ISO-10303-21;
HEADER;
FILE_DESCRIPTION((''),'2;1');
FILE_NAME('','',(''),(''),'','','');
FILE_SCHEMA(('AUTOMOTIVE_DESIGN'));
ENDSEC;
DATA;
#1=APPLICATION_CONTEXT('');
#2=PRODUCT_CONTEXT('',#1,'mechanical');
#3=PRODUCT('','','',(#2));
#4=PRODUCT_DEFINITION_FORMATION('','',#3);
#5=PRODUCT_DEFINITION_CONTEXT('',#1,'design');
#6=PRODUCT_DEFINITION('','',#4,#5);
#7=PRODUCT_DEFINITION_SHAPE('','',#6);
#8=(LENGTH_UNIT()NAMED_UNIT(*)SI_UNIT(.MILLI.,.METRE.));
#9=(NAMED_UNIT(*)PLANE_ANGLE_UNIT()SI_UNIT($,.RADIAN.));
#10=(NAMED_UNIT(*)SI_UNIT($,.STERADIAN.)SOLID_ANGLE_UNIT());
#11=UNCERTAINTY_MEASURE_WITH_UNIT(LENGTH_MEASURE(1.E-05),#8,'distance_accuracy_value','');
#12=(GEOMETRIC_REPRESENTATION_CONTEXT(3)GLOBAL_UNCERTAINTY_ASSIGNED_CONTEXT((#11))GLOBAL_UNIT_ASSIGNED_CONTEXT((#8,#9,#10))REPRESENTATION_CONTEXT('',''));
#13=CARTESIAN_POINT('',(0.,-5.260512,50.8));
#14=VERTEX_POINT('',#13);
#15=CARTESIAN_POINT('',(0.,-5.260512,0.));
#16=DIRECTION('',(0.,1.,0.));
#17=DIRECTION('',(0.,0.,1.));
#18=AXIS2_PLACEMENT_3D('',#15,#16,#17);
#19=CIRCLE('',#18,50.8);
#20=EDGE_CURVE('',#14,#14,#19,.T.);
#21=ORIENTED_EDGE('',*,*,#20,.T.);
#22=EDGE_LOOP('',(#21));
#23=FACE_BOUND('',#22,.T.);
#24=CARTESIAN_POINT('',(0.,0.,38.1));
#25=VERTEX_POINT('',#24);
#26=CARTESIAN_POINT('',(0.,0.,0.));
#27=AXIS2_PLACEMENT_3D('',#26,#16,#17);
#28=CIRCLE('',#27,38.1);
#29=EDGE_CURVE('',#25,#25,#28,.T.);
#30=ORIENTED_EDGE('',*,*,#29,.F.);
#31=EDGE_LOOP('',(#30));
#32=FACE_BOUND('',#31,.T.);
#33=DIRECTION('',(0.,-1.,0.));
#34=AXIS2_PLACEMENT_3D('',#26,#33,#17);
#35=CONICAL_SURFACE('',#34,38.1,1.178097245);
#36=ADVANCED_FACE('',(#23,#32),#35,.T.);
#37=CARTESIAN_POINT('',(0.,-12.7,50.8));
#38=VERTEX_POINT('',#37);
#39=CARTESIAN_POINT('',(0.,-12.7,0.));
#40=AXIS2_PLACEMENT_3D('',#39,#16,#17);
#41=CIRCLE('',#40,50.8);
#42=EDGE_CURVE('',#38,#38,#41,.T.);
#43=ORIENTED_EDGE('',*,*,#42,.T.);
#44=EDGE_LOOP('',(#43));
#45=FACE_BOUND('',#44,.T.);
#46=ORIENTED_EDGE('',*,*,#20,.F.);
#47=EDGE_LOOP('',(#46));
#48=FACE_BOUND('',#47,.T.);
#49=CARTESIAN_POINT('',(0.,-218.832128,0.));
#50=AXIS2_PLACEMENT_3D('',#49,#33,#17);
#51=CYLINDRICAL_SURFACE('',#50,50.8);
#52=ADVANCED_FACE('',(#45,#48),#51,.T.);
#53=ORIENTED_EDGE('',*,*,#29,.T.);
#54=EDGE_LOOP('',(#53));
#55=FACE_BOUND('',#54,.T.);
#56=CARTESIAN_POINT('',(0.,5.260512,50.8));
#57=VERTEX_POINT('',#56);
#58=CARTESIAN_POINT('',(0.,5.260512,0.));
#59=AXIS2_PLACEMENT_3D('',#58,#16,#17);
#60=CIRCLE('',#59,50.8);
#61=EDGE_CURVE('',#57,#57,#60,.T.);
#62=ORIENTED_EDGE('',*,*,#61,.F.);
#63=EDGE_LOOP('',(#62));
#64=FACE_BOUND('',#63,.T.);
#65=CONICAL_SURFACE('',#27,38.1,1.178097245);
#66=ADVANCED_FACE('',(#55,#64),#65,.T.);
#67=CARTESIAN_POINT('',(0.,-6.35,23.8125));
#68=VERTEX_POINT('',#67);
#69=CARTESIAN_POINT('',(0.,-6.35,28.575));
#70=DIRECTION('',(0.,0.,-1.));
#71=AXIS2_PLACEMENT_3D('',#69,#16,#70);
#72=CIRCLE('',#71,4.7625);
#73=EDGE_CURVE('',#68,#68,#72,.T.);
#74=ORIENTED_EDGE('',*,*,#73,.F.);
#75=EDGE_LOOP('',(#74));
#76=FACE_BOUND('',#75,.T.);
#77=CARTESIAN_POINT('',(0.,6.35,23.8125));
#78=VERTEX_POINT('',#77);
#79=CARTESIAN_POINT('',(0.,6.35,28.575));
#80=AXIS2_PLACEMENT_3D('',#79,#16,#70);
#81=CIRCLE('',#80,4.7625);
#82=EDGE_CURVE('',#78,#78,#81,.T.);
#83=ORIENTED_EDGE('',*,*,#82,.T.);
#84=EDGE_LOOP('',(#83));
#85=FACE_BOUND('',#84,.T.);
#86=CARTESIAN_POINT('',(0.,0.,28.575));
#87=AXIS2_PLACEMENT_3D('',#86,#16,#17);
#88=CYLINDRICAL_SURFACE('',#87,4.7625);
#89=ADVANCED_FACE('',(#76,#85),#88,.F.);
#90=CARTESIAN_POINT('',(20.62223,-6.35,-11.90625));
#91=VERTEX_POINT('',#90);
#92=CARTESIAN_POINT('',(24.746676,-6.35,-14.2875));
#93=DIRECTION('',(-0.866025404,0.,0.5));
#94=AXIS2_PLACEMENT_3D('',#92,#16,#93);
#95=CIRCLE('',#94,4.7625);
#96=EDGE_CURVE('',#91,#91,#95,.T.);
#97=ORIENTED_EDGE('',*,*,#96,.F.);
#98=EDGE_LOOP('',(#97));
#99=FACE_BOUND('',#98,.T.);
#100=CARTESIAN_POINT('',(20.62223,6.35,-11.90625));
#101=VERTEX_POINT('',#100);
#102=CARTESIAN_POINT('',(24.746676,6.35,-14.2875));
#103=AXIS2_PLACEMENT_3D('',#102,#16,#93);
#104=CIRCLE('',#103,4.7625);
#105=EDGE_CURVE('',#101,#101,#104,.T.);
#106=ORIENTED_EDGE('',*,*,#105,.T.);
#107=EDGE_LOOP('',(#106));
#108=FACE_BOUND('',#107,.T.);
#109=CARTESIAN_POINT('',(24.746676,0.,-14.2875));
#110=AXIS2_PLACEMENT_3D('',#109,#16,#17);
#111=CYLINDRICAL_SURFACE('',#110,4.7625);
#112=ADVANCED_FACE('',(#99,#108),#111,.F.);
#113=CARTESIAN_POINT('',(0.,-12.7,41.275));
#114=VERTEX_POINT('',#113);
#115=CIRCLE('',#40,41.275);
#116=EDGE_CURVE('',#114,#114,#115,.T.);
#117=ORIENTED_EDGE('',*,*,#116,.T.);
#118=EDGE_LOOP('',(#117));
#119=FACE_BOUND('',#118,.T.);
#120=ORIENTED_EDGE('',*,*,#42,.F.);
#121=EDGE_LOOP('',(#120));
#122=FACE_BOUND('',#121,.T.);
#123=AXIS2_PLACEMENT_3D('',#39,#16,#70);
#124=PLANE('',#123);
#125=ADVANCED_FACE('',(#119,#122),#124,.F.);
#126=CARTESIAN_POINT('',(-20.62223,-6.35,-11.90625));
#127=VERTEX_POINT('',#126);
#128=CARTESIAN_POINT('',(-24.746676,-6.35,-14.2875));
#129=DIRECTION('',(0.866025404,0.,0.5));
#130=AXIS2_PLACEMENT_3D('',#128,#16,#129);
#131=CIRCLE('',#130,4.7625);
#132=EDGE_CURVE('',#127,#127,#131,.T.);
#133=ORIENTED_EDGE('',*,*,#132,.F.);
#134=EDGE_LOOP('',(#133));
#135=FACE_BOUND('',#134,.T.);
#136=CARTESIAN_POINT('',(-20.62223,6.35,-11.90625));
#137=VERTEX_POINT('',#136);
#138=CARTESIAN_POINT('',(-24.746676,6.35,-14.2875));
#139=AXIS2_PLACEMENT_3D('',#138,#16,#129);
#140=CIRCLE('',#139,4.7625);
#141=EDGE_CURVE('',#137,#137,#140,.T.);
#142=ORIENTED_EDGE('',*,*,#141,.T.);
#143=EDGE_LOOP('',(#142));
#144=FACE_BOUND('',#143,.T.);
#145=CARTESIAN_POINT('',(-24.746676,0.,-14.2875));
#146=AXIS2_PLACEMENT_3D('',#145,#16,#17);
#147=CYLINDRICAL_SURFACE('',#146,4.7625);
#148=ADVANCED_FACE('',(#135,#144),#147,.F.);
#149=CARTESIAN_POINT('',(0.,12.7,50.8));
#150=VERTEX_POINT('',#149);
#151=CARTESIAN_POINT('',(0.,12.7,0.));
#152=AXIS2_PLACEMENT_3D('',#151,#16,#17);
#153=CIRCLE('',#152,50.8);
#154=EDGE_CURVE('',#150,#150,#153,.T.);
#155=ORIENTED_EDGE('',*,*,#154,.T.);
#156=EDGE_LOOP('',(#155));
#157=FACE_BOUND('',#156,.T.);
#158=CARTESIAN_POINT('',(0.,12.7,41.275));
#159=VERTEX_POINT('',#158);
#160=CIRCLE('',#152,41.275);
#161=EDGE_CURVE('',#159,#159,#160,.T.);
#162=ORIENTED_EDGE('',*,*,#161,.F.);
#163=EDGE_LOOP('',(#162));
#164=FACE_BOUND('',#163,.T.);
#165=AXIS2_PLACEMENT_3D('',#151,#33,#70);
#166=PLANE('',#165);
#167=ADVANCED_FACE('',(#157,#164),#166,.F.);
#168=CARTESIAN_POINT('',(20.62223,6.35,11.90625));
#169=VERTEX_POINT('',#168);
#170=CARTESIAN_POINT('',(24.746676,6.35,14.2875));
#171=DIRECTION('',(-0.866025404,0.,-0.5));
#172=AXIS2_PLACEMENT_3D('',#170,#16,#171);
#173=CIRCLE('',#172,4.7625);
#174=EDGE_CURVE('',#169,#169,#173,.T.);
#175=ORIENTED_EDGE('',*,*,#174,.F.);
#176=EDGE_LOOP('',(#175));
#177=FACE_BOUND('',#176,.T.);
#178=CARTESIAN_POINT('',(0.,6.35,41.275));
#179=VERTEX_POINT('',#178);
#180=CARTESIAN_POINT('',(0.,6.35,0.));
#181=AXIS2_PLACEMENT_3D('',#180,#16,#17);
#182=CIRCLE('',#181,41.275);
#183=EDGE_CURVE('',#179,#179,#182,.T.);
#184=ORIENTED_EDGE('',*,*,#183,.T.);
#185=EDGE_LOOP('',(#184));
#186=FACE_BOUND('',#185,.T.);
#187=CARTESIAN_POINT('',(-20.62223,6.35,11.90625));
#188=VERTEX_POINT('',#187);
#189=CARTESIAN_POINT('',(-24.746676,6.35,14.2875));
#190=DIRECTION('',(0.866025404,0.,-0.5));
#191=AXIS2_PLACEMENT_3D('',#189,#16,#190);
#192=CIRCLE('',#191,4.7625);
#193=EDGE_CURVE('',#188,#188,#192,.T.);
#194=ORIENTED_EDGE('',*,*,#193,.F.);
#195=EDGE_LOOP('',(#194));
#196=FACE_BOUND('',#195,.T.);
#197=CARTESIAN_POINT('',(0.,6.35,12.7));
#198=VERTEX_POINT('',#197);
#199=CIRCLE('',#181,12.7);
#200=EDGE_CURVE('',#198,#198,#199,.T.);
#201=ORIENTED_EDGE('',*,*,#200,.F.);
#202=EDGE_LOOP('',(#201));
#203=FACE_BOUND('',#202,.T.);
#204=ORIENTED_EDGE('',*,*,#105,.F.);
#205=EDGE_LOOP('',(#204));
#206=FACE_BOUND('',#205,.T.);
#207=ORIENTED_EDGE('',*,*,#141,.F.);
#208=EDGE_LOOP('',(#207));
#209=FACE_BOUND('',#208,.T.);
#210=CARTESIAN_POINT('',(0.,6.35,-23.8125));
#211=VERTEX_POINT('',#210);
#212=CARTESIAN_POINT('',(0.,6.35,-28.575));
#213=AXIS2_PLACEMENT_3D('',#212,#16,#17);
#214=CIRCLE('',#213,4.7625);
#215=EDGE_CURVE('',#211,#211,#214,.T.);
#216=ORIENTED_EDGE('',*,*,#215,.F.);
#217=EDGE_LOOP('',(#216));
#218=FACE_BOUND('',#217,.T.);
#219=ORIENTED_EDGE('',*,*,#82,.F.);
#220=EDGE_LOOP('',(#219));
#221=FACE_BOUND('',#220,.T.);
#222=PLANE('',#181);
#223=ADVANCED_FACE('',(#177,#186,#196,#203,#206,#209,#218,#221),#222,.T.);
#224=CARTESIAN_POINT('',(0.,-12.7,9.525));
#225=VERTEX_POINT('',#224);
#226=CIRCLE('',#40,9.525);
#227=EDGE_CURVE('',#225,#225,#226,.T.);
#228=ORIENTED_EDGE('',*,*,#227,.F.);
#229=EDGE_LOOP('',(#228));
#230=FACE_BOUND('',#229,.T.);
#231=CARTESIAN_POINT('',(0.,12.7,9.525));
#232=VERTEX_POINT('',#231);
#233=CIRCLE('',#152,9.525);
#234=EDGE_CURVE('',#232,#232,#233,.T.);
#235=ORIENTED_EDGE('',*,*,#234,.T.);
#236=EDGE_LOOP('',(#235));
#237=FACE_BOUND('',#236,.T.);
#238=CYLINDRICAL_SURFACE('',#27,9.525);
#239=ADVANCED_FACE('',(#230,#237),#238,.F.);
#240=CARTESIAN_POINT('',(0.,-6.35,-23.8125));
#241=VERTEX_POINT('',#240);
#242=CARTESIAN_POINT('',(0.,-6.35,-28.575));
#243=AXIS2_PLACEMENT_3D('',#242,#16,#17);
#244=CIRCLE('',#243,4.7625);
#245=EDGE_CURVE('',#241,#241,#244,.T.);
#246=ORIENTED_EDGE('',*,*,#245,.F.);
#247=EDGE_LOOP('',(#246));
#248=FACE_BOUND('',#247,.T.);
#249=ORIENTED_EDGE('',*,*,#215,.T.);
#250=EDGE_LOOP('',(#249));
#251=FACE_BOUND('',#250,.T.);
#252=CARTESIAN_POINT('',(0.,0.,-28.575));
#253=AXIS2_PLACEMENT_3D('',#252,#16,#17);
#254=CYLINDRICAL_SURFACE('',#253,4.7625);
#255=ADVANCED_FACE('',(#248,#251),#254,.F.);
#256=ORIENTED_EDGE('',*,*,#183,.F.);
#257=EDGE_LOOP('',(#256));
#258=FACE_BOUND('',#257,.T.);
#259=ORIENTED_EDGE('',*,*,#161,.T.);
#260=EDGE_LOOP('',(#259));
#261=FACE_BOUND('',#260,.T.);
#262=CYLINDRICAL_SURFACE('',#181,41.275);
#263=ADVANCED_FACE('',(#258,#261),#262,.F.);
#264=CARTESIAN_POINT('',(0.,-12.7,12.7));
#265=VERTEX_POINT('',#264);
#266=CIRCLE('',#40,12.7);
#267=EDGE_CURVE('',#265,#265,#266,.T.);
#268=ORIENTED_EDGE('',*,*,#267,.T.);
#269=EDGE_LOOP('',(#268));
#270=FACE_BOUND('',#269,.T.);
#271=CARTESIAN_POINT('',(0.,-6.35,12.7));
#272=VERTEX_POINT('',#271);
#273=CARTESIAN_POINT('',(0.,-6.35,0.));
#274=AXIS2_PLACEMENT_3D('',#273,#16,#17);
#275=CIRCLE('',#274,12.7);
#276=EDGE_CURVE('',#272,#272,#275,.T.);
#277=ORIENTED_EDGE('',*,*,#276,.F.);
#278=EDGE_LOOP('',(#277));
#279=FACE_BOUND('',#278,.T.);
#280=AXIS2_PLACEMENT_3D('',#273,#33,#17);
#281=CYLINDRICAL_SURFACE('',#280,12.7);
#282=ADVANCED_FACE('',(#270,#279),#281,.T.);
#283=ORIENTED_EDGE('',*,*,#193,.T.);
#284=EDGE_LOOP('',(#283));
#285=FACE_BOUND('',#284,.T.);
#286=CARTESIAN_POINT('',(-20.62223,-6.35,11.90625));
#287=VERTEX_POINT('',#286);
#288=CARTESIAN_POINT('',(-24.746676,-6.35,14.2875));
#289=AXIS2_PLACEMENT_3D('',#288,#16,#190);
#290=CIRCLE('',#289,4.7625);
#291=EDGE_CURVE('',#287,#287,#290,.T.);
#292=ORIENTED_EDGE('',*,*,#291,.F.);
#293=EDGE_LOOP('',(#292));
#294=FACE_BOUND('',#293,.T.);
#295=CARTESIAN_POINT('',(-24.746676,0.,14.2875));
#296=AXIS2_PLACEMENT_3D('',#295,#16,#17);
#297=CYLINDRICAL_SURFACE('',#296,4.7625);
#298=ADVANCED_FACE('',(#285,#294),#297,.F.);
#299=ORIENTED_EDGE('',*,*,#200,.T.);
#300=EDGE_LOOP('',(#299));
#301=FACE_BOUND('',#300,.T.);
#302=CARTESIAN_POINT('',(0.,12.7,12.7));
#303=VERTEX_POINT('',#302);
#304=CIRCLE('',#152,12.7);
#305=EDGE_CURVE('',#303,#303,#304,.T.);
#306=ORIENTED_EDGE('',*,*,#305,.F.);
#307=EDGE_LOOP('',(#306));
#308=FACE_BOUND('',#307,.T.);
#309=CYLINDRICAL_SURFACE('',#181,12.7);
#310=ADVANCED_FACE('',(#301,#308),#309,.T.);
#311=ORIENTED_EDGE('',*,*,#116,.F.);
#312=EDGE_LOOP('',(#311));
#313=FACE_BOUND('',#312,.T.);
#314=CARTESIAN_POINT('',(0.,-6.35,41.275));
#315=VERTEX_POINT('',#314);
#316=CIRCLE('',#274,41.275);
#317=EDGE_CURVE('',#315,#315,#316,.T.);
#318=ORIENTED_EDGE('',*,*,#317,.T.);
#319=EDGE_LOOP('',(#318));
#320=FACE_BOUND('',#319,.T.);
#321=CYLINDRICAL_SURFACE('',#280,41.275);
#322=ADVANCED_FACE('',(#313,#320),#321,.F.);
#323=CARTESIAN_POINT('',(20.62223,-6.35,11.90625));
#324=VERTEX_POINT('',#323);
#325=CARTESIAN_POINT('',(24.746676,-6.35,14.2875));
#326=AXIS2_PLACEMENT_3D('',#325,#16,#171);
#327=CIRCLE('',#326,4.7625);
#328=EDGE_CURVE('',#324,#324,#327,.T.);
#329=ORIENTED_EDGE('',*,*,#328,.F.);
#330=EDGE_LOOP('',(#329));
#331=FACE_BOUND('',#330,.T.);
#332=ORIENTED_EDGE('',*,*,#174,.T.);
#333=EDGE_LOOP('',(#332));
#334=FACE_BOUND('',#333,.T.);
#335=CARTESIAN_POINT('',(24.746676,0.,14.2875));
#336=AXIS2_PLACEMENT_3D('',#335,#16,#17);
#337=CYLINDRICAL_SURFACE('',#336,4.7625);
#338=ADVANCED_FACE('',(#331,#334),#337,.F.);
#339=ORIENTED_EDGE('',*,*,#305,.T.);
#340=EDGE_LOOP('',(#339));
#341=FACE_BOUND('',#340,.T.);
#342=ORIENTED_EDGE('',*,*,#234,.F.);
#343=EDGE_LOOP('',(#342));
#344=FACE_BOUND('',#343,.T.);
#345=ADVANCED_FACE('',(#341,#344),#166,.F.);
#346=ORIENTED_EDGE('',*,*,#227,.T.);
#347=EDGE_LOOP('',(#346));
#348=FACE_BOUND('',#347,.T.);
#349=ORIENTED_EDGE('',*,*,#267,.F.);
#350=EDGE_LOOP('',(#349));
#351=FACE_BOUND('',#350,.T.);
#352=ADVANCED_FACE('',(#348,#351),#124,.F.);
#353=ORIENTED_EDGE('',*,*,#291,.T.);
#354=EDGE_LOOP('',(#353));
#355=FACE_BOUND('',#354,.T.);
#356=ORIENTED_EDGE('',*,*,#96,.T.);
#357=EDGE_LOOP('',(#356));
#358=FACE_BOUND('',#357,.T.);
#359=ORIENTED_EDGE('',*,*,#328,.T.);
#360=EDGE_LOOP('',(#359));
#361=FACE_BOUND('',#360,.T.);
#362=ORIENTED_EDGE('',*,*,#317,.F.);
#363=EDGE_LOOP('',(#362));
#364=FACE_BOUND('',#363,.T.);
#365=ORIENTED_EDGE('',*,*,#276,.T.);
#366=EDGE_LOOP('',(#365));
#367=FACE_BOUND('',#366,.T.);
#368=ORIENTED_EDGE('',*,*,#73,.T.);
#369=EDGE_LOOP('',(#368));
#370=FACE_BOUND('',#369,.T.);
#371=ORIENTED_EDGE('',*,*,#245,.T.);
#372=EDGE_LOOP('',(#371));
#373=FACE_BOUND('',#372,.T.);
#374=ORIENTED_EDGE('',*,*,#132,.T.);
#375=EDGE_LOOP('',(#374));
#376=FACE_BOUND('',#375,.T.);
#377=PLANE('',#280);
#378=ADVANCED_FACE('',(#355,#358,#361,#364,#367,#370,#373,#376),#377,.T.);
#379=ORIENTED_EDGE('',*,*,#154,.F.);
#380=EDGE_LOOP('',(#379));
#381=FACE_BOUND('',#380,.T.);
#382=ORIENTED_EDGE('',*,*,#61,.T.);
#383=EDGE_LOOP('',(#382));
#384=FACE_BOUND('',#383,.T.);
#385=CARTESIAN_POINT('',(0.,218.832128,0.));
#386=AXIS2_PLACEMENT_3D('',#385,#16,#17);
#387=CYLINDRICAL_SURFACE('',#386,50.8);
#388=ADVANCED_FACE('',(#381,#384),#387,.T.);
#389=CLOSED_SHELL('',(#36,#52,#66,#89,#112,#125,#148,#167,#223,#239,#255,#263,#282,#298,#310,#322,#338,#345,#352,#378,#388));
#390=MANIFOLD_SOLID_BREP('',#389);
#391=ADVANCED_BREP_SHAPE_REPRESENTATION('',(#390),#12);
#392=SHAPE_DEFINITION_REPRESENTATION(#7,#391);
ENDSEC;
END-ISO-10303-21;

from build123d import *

# Parameters (mm, degrees)
SKETCH2_R          = 41.275
SKETCH2_R_2        = 12.7
CUT_EXTRUDE1_DEPTH = 6.35
SKETCH3_R          = 9.525
CUT_EXTRUDE2_DEPTH = 13.7
SKETCH5_R          = 4.7625
CUT_EXTRUDE3_DEPTH = 7.35
CIRPATTERN1_COUNT  = 6


with BuildPart() as part:
    # Sketch1 → Revolve1 (revolve)
    with BuildSketch(Plane.XY):
        Polygon((0, 0), (0, 12.7), (50.8, 12.7), (50.8, 5.260512242), (38.1, 0), align=None)
    revolve(axis=Axis((0, 218.832128387, 0), (0, -1, 0)))

    # Sketch2 → Cut-Extrude1 (cut)
    with BuildSketch(Plane(origin=(0, 12.7, 0), x_dir=(1, 0, 0), z_dir=(0, 1, 0))):
        Circle(SKETCH2_R)
        Circle(SKETCH2_R_2, mode=Mode.SUBTRACT)
    extrude(amount=-CUT_EXTRUDE1_DEPTH, mode=Mode.SUBTRACT)

    # Sketch3 → Cut-Extrude2 (cut, through all)
    with BuildSketch(Plane(origin=(0, 12.7, 0), x_dir=(1, 0, 0), z_dir=(0, 1, 0))):
        Circle(SKETCH3_R)
    extrude(amount=-CUT_EXTRUDE2_DEPTH, mode=Mode.SUBTRACT)

    # Sketch5 → Cut-Extrude3 (cut, through all)
    with BuildSketch(Plane(origin=(0, 6.35, 0), x_dir=(1, 0, 0), z_dir=(0, 1, 0))):
        with Locations((0, 28.575)):
            Circle(SKETCH5_R)
    cut_extrude3 = extrude(amount=-CUT_EXTRUDE3_DEPTH, mode=Mode.SUBTRACT)

    # CirPattern1: Cut-Extrude3 ×6 about axis
    cirpattern1_axis = Axis((0, 0, 0), (0, 1, 0))
    for i in range(1, CIRPATTERN1_COUNT):
        add(cut_extrude3.rotate(cirpattern1_axis, i * 360 / CIRPATTERN1_COUNT), mode=Mode.SUBTRACT)

    # Mirror1: part across plane


with BuildPart() as part_1:
    add(part.part)
    add(part.part.mirror(Plane.ZX))


solid = part_1.part
